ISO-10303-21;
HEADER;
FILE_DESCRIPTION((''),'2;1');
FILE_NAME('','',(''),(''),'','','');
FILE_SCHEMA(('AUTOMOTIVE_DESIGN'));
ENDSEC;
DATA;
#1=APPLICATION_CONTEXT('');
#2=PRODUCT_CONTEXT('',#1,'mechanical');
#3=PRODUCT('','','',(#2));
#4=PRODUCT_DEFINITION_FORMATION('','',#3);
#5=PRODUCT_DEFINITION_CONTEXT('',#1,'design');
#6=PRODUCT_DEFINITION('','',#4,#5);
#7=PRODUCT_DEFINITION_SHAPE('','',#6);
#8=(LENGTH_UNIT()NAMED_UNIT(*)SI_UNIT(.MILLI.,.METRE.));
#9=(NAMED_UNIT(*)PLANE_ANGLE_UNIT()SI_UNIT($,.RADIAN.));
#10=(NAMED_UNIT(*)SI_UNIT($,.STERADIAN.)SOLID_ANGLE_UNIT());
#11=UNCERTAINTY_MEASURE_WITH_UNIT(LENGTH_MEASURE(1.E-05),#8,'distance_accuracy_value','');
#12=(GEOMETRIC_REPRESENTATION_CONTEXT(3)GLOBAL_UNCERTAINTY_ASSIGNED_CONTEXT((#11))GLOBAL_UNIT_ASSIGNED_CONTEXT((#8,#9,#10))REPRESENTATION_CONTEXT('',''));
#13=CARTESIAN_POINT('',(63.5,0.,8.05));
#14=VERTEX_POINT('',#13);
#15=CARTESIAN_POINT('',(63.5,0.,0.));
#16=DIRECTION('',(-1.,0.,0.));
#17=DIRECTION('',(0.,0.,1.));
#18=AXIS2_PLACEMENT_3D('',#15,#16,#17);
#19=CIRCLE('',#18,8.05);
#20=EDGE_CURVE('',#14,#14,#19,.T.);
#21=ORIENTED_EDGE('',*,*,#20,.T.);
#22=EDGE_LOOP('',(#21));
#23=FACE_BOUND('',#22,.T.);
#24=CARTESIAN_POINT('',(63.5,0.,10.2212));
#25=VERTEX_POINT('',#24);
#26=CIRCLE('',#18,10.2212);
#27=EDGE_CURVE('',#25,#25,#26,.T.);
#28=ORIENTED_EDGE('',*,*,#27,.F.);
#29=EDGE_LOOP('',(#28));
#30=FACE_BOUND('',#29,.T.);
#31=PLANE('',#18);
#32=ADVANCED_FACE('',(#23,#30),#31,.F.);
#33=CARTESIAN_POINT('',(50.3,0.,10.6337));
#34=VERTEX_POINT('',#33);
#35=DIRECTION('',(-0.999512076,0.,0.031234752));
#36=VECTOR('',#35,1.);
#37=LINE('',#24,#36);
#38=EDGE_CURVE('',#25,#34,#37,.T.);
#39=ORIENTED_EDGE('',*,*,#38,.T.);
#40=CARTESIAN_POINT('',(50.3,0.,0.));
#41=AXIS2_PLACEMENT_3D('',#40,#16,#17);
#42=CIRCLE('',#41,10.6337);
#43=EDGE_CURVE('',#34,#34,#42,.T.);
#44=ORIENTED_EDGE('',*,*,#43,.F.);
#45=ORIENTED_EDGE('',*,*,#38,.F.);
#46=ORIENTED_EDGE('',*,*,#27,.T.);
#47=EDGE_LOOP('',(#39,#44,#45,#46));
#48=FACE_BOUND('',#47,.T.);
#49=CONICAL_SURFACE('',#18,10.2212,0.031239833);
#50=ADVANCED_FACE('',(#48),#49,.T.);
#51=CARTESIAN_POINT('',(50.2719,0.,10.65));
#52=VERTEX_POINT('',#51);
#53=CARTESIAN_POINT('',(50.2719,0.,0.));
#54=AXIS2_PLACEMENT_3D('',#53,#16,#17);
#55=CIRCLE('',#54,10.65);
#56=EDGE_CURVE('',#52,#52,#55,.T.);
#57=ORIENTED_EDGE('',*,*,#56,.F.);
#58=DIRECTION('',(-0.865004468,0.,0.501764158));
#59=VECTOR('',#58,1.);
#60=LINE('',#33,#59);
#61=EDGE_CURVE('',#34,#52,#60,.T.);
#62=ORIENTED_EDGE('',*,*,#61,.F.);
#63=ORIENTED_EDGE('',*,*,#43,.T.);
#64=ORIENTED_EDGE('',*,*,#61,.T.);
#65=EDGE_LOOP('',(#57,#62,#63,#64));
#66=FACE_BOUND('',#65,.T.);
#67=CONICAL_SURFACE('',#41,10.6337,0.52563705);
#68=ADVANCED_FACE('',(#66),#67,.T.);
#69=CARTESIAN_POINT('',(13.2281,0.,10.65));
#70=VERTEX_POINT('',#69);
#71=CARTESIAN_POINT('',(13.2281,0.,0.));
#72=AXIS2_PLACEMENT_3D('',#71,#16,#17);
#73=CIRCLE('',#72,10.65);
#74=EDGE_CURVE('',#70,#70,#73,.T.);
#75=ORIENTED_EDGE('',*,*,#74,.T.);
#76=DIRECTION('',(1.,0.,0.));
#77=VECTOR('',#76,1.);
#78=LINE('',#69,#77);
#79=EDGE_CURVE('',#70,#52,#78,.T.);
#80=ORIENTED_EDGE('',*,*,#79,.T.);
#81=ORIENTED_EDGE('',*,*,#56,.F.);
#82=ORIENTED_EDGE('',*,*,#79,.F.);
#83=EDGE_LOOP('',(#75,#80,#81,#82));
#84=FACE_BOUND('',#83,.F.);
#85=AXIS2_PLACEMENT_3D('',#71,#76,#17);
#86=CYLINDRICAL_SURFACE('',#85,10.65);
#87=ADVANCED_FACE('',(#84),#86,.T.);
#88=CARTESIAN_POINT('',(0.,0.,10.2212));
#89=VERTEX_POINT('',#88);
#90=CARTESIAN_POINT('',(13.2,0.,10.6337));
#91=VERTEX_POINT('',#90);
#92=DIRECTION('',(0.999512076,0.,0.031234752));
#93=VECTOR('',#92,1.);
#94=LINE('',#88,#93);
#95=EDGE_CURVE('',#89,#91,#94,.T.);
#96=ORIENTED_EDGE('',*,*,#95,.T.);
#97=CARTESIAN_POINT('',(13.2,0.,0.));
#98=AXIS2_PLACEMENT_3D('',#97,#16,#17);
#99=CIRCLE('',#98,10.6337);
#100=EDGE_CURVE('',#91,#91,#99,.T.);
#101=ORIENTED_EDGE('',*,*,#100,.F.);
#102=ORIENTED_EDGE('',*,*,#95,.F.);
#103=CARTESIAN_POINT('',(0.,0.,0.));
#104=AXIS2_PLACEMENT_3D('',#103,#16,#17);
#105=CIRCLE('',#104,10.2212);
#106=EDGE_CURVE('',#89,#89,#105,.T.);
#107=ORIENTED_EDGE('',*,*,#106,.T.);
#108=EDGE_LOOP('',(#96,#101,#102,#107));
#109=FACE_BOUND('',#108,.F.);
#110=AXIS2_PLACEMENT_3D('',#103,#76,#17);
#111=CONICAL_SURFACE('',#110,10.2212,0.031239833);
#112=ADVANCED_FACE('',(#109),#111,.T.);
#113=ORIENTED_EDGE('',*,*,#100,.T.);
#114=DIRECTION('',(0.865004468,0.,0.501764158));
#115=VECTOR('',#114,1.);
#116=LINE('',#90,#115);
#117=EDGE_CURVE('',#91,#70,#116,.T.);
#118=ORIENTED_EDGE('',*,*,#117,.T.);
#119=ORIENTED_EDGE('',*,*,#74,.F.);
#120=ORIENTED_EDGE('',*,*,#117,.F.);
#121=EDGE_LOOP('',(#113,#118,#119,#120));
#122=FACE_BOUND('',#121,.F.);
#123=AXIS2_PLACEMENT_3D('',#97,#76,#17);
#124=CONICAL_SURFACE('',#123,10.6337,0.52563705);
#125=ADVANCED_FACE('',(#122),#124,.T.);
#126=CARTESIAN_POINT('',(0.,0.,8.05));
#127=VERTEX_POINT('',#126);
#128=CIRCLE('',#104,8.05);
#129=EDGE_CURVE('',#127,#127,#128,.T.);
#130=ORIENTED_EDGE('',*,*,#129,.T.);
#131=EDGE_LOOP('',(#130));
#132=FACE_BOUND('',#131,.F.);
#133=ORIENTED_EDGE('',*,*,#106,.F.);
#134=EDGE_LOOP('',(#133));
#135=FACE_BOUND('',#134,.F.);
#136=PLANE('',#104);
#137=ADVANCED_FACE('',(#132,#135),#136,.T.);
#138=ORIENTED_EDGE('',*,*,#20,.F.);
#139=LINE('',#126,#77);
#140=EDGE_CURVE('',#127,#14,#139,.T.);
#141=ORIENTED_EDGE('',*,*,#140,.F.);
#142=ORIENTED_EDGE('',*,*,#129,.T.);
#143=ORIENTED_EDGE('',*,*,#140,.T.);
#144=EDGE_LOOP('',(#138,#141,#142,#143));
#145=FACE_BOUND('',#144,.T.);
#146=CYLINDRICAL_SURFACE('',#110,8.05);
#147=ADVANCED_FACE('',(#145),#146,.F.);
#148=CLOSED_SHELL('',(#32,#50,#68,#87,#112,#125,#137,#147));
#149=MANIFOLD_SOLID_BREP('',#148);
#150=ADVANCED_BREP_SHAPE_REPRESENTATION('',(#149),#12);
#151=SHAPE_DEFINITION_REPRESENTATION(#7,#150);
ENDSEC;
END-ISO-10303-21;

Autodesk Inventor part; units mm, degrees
ref_plane "YZ Plane" through (0, 0, 0) normal (1, 0, 0) x (0, 1, 0)
ref_plane "XZ Plane" through (0, 0, 0) normal (0, 1, 0) x (-1, 0, 0)
ref_plane "XY Plane" through (0, 0, 0) normal (0, 0, 1) x (1, 0, 0)
sketch "Sketch1" plane through (0, 0, 0) normal (0, 1, 0) x (-1, 0, 0)
  line L0 (-63.5, 0) -> (0, 0)
  line L1 (0, 0) -> (0, 8.05) construction
  line L2 (0, 8.05) -> (0, 10.2212)
  line L3 (0, 10.2212) -> (-13.2, 10.6337)
  line L4 (-13.2, 10.6337) -> (-13.2281, 10.65)
  line L5 (-13.2281, 10.65) -> (-50.2719, 10.65)
  line L6 (0, 8.05) -> (-63.5, 8.05)
  line L7 (-31.75, 0) -> (-31.75, 10.65) construction
  line L8 (-63.5, 0) -> (-63.5, 8.05) construction
  line L9 (-63.5, 8.05) -> (-63.5, 10.2212)
  line L10 (-63.5, 10.2212) -> (-50.3, 10.6337)
  line L11 (-50.3, 10.6337) -> (-50.2719, 10.65)
  line L12 (-8.2, 10.4775) -> (-8.2, 0) construction
  line L13 (-13.2, 10.6337) -> (-13.2, 0) construction
  line L14 (-50.3, 10.6337) -> (-50.3, 0) construction
  dimension "d0" = 8.2
  dimension "d1" = 13.2
  dimension "d2" = 1.79
  dimension "d3" = 20.955
  dimension "d4" = 21.3
  dimension "d5" = 2.6
  dimension "d6" = 63.5
  dimension "d7" = 30
revolve "Revolution1" add sketch "Sketch1" angle 360 about axis through (63.5, 0, 0) along (-1, 0, 0)
thread "Thread1" size "R 1/2" standard "ISO Taper" full length
thread "Thread2" size "R 1/2" standard "ISO Taper" full length
equation "\"d0\" = a"
equation "\"d1\" = LT"
equation "\"d3\" = MjD"
equation "\"d4\" = OD"
equation "\"d5\" = T"
equation "\"d6\" = L"
equation "\"OD\" = 21.3"
equation "\"T\" = 2.6"
equation "\"L\" = PL"
equation "\"LT\" = 13.2"
equation "\"ID\" = 16.1"
equation "\"PL\" = 63.5"
equation "\"MjD\" = 20.955"
equation "\"a\" = 8.2"
equation "\"Size_Designation\" = 1.2345"
equation "\"PLmin\" = 2 * LT + T"
properties material "Stainless Steel"
